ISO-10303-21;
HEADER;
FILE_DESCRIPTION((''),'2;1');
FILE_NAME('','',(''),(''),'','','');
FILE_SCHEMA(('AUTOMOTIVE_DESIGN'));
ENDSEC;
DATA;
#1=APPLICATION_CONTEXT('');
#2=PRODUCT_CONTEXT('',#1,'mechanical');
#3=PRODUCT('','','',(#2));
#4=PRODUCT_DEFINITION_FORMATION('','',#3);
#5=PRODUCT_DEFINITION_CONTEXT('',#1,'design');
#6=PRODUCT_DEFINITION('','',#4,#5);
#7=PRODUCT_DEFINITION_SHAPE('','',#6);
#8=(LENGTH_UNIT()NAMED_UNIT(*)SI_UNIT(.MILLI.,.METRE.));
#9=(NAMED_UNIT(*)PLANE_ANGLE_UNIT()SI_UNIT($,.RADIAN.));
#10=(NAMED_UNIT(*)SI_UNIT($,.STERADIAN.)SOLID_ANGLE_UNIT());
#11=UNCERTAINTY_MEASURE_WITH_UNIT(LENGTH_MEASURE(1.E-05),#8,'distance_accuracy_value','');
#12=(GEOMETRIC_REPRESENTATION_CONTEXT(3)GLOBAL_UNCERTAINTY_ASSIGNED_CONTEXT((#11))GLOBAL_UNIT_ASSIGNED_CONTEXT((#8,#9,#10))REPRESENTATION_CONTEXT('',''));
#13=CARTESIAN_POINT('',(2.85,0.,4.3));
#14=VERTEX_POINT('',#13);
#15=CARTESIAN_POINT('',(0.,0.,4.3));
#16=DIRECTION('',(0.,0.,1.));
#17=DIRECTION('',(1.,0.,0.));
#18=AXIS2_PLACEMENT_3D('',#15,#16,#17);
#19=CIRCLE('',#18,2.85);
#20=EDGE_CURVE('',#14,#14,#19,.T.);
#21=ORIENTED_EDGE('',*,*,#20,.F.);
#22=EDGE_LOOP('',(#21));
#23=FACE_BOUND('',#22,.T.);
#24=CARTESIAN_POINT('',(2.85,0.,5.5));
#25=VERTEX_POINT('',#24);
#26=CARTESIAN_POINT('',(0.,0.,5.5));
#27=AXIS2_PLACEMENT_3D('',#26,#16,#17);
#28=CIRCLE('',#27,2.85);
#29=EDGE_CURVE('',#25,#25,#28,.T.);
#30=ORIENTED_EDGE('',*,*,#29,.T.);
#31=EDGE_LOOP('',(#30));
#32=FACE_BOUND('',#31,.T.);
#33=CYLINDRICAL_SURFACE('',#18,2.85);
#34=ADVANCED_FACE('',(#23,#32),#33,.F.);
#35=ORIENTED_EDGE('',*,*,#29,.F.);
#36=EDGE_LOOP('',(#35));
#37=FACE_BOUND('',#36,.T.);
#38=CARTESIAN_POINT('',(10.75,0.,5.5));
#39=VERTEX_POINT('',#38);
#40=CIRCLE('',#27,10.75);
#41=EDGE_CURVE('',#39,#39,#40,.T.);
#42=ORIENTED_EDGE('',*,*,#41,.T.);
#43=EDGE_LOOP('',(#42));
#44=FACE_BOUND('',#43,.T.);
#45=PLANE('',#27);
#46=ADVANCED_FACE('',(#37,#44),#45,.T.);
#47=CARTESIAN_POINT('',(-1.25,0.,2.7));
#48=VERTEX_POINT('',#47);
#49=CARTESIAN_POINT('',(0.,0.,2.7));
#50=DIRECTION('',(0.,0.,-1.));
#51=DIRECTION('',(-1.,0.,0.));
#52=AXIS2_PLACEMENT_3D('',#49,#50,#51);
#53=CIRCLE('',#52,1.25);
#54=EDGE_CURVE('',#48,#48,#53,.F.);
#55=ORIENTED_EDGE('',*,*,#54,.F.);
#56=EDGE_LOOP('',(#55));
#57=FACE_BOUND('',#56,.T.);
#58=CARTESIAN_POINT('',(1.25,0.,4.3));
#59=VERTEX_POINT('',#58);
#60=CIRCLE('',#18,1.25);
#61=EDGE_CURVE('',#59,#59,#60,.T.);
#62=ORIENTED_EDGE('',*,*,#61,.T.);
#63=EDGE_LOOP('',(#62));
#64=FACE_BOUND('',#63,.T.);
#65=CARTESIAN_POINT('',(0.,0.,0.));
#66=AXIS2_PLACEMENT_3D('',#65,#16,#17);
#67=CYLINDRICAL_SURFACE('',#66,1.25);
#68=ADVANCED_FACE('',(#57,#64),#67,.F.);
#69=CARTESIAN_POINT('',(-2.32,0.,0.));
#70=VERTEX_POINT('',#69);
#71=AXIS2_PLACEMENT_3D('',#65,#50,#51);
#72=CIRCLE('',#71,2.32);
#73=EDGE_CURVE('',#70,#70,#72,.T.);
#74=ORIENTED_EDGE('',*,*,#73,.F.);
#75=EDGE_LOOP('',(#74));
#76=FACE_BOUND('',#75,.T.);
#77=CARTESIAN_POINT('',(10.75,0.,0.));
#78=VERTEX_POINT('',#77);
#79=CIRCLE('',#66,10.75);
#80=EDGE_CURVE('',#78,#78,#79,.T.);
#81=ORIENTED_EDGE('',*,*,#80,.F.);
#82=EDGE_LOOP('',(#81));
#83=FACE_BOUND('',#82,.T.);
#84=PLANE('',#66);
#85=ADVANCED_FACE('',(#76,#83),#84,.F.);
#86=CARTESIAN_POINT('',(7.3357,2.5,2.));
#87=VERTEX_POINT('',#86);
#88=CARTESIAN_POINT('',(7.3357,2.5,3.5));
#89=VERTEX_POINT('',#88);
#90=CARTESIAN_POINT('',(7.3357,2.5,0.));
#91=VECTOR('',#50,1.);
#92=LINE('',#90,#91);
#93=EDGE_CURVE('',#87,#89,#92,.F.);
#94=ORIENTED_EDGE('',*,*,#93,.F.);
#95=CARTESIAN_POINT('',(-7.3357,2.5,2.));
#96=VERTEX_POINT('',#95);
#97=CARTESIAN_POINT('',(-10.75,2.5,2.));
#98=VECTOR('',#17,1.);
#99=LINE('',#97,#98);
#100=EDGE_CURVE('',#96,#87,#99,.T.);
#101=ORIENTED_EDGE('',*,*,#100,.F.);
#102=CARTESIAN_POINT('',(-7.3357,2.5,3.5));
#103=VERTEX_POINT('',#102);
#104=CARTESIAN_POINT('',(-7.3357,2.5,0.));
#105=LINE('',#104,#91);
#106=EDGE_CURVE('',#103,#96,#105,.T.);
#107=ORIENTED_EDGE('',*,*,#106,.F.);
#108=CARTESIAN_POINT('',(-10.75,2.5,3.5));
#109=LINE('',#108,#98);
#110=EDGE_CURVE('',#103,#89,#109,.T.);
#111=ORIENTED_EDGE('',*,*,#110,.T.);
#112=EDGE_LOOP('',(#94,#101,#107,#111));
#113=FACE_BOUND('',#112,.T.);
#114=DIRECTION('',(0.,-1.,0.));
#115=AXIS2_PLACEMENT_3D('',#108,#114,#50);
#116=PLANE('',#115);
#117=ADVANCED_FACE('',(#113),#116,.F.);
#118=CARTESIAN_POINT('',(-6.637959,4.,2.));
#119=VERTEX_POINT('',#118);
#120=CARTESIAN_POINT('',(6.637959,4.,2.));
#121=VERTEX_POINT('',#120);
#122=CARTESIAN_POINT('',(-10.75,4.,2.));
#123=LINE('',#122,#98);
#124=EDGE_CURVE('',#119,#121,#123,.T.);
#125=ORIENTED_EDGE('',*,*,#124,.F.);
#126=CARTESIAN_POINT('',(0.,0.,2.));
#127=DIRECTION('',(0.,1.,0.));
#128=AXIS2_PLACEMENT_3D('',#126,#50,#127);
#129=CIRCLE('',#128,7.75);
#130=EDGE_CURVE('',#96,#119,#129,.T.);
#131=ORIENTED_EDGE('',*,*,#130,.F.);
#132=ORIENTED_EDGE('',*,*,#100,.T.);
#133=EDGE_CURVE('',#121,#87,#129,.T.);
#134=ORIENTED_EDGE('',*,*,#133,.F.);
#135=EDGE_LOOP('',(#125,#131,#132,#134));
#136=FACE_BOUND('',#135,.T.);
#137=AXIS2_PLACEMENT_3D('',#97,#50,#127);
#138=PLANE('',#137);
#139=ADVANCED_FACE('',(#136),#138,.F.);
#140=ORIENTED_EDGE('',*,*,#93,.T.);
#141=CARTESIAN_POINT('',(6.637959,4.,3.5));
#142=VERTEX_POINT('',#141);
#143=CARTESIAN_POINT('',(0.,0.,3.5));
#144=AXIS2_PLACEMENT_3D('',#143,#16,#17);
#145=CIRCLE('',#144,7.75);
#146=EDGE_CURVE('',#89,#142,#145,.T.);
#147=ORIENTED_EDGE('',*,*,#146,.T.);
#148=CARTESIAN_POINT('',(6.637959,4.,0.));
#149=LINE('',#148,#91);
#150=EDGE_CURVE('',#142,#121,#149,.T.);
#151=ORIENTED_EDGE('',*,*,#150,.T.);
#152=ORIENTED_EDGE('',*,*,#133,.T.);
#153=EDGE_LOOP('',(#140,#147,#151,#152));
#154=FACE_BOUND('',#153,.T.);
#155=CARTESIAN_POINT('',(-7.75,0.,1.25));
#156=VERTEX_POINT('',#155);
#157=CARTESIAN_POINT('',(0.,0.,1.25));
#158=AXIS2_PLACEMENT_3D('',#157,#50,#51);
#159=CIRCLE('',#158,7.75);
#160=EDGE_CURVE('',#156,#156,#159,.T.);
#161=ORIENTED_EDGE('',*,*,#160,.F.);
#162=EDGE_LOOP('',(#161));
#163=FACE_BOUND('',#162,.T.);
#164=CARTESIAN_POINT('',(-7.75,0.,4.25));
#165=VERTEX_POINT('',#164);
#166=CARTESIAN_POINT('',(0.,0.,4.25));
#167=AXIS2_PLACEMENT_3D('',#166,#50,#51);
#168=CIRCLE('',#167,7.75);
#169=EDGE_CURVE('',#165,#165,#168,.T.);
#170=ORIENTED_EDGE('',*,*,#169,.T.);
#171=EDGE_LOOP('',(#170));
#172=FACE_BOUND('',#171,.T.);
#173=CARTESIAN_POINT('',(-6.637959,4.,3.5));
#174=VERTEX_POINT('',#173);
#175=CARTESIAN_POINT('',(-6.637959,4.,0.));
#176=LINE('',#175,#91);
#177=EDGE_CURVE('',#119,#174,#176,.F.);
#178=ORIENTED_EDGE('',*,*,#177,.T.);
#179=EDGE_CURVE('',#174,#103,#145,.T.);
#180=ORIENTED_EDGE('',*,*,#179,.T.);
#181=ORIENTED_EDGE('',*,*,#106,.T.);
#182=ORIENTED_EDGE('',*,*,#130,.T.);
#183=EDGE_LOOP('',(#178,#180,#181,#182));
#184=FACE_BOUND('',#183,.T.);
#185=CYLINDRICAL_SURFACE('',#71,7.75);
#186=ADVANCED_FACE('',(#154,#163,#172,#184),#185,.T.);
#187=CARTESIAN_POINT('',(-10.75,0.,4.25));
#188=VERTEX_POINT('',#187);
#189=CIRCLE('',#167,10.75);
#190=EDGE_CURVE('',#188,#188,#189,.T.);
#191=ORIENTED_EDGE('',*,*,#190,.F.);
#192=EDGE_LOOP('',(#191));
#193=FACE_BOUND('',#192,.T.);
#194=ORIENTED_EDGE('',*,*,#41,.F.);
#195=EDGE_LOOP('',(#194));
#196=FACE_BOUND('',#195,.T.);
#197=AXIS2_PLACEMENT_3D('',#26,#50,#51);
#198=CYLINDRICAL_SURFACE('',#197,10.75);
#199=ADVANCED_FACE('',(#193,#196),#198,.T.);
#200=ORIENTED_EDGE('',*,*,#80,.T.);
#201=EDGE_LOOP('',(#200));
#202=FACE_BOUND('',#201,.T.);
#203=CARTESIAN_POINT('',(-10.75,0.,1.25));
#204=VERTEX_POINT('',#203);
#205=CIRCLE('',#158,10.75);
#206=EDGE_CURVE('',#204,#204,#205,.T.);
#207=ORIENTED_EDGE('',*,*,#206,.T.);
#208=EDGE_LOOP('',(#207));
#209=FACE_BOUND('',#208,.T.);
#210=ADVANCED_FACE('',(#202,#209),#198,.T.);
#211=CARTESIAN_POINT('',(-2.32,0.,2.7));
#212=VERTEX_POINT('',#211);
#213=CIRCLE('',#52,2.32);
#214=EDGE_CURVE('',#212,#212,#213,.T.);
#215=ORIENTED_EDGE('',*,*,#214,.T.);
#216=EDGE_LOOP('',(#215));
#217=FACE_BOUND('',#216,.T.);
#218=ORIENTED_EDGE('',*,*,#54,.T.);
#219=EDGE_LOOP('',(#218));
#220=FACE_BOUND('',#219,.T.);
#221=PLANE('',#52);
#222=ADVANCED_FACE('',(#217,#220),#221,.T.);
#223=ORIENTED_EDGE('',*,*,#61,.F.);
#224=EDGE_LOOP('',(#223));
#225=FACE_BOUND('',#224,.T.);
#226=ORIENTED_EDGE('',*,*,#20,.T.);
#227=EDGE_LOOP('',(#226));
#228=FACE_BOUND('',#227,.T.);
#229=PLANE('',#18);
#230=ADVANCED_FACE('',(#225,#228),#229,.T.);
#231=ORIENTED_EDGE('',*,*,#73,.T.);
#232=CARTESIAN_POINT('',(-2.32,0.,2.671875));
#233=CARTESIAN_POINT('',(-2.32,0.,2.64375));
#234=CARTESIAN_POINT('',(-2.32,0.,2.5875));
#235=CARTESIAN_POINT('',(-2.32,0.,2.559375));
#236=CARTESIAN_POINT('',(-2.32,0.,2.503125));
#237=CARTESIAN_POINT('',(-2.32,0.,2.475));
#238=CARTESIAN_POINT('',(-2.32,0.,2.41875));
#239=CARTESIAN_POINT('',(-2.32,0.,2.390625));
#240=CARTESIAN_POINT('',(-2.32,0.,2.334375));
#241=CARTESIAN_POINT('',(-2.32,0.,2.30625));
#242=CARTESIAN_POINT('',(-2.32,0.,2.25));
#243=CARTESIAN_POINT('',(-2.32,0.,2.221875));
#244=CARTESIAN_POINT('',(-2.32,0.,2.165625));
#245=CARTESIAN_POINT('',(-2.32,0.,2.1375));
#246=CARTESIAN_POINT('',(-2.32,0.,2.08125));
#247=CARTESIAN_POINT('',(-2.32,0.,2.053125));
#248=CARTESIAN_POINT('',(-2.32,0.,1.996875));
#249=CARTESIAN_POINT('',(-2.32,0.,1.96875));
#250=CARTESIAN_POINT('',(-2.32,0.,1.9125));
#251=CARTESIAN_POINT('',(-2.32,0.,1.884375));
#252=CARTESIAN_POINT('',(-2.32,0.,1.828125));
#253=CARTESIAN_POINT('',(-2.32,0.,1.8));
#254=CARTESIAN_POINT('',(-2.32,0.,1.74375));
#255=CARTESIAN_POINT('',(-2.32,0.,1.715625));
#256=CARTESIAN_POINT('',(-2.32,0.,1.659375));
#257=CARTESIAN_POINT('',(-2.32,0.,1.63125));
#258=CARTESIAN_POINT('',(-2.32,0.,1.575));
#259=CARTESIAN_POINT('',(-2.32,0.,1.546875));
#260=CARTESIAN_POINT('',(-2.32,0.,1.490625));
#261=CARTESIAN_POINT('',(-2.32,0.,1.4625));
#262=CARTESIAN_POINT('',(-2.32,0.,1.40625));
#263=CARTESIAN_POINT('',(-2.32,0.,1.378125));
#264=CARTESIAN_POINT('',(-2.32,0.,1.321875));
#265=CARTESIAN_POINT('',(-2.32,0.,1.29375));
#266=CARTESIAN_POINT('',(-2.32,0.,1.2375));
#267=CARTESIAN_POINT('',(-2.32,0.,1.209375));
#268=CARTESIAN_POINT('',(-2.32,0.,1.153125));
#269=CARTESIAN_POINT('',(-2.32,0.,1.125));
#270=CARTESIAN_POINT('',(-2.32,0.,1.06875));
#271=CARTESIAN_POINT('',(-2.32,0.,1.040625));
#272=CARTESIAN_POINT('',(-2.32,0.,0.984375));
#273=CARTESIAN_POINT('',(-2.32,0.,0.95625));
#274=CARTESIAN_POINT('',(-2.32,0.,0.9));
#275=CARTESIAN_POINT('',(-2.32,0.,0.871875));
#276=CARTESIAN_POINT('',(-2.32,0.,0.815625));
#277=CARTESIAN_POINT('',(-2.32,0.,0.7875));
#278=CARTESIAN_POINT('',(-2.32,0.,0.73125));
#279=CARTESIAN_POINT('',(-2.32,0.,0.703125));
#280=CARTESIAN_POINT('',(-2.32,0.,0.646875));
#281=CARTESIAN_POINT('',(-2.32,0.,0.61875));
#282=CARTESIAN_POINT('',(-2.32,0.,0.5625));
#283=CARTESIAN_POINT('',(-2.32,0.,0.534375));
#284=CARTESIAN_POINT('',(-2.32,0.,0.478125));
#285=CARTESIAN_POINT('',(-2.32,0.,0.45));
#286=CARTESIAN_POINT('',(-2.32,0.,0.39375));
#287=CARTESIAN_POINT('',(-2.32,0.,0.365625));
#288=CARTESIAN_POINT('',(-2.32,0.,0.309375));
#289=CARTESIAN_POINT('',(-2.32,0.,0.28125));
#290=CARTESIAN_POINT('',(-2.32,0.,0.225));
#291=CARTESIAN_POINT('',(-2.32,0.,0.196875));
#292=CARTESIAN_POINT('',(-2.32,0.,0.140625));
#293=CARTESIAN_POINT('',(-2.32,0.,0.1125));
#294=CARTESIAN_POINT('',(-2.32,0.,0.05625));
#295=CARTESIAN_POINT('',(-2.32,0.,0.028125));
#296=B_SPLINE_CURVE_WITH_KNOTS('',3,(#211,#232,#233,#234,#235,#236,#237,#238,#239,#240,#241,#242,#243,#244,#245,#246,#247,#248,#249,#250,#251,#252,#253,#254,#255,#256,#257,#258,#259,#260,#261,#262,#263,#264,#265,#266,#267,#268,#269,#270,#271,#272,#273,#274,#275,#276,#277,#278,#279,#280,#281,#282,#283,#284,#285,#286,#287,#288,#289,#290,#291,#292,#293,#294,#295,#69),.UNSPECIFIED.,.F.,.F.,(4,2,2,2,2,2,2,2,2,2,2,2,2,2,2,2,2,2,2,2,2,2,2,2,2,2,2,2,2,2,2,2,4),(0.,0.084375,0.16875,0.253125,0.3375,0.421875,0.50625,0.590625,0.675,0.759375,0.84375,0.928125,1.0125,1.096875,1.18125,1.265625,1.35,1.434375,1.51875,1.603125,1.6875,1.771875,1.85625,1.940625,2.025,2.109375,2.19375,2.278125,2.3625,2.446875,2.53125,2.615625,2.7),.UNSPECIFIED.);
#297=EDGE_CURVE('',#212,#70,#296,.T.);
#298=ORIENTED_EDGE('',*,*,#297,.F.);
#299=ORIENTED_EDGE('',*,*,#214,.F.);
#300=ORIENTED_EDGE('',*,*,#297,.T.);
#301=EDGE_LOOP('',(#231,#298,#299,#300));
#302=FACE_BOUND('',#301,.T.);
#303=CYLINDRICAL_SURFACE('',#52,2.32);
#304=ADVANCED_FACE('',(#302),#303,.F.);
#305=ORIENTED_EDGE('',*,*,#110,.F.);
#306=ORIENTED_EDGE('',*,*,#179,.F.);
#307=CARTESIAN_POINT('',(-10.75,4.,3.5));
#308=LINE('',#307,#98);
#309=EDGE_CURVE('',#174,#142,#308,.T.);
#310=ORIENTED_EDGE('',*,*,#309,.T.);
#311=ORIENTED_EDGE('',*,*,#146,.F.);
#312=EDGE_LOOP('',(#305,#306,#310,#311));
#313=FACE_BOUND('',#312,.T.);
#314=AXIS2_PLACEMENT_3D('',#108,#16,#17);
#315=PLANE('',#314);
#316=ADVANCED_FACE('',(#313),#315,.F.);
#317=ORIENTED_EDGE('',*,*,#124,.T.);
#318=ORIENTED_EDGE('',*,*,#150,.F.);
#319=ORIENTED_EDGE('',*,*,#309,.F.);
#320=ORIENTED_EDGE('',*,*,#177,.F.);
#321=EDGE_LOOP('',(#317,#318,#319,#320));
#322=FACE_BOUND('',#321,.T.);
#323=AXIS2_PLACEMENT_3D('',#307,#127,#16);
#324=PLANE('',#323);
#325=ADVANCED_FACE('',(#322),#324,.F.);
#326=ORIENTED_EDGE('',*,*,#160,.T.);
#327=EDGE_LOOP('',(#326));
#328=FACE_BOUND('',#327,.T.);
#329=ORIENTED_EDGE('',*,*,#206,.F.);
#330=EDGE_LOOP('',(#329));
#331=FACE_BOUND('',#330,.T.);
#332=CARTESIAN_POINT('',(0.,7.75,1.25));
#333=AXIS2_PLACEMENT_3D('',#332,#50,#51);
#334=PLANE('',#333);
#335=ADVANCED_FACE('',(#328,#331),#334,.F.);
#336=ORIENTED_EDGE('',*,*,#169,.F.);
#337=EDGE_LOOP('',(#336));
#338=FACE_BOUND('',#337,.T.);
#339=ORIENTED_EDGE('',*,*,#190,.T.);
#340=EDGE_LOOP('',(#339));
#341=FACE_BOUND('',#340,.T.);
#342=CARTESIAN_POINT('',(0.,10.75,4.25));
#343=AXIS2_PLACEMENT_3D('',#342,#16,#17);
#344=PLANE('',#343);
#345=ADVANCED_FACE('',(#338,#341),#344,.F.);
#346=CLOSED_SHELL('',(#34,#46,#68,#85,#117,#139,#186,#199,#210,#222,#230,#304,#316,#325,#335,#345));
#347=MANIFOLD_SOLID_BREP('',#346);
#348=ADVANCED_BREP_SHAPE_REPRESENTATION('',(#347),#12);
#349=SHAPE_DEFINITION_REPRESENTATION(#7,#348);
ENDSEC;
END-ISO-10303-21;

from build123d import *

# Parameters (mm, degrees)
CROQUIS1_R                 = 10.75
SALIENTE_EXTRUIR1_DEPTH    = 5.5
CROQUIS3_R                 = 2.85
CORTAR_EXTRUIR1_DEPTH      = 1.2
CROQUIS4_R                 = 1.25
CORTAR_EXTRUIR2_DEPTH      = 17.167096214
CROQUIS5_R                 = 2.32
CORTAR_EXTRUIR3_DEPTH      = 2.7
CORTAR_EXTRUIR4_DEPTH      = 17.167096214
CORTAR_EXTRUIR4_DEPTH_BACK = 17.167096214
CROQUIS6_W                 = 1.5
CROQUIS6_H                 = 1.5


with BuildPart() as part:
    # Croquis1 → Saliente-Extruir1 (new body)
    with BuildSketch(Plane.XY):
        Circle(CROQUIS1_R)
    extrude(amount=SALIENTE_EXTRUIR1_DEPTH)

    # Croquis2 → Cortar-Revolución1 (revolve, cut)
    with BuildSketch(Plane(origin=(0, 0, 0), x_dir=(0, 0, -1), z_dir=(1, 0, 0)), mode=Mode.PRIVATE) as cortar_revoluci_n1_sk:
        Polygon((-5.5, 10.75), (-4.25, 10.75), (-4.25, 7.75), (-1.25, 7.75), (-1.25, 10.75), (0, 10.75), (0, 13.530555933), (-5.5, 13.530555933), align=None)
    revolve(cortar_revoluci_n1_sk.sketch.rotate(Axis((0, 0, 0), (0, 0, 1)), 90), axis=Axis((0, 0, 0), (0, 0, 1)), mode=Mode.SUBTRACT)

    # Croquis3 → Cortar-Extruir1 (cut)
    with BuildSketch(Plane.XY.offset(5.5)):
        Circle(CROQUIS3_R)
    extrude(amount=-CORTAR_EXTRUIR1_DEPTH, mode=Mode.SUBTRACT)

    # Croquis4 → Cortar-Extruir2 (cut, through all)
    with BuildSketch(Plane.XY.offset(5.5)):
        Circle(CROQUIS4_R)
    extrude(amount=-CORTAR_EXTRUIR2_DEPTH, mode=Mode.SUBTRACT)

    # Croquis5 → Cortar-Extruir3 (cut)
    with BuildSketch(Plane(origin=(0, 0, 0), x_dir=(-1, 0, 0), z_dir=(0, 0, -1))):
        Circle(CROQUIS5_R)
    extrude(amount=-CORTAR_EXTRUIR3_DEPTH, mode=Mode.SUBTRACT)

    # Croquis6 → Cortar-Extruir4 (cut, two sides: drawn at the far end of the back side and taken through both)
    with BuildSketch(Plane(origin=(0, 0, 0), x_dir=(0, 0, -1), z_dir=(1, 0, 0)).offset(-CORTAR_EXTRUIR4_DEPTH_BACK)):
        with Locations((-2.75, 3.25)):
            Rectangle(CROQUIS6_W, CROQUIS6_H)
    extrude(amount=CORTAR_EXTRUIR4_DEPTH + CORTAR_EXTRUIR4_DEPTH_BACK, mode=Mode.SUBTRACT)


solid = part.part
